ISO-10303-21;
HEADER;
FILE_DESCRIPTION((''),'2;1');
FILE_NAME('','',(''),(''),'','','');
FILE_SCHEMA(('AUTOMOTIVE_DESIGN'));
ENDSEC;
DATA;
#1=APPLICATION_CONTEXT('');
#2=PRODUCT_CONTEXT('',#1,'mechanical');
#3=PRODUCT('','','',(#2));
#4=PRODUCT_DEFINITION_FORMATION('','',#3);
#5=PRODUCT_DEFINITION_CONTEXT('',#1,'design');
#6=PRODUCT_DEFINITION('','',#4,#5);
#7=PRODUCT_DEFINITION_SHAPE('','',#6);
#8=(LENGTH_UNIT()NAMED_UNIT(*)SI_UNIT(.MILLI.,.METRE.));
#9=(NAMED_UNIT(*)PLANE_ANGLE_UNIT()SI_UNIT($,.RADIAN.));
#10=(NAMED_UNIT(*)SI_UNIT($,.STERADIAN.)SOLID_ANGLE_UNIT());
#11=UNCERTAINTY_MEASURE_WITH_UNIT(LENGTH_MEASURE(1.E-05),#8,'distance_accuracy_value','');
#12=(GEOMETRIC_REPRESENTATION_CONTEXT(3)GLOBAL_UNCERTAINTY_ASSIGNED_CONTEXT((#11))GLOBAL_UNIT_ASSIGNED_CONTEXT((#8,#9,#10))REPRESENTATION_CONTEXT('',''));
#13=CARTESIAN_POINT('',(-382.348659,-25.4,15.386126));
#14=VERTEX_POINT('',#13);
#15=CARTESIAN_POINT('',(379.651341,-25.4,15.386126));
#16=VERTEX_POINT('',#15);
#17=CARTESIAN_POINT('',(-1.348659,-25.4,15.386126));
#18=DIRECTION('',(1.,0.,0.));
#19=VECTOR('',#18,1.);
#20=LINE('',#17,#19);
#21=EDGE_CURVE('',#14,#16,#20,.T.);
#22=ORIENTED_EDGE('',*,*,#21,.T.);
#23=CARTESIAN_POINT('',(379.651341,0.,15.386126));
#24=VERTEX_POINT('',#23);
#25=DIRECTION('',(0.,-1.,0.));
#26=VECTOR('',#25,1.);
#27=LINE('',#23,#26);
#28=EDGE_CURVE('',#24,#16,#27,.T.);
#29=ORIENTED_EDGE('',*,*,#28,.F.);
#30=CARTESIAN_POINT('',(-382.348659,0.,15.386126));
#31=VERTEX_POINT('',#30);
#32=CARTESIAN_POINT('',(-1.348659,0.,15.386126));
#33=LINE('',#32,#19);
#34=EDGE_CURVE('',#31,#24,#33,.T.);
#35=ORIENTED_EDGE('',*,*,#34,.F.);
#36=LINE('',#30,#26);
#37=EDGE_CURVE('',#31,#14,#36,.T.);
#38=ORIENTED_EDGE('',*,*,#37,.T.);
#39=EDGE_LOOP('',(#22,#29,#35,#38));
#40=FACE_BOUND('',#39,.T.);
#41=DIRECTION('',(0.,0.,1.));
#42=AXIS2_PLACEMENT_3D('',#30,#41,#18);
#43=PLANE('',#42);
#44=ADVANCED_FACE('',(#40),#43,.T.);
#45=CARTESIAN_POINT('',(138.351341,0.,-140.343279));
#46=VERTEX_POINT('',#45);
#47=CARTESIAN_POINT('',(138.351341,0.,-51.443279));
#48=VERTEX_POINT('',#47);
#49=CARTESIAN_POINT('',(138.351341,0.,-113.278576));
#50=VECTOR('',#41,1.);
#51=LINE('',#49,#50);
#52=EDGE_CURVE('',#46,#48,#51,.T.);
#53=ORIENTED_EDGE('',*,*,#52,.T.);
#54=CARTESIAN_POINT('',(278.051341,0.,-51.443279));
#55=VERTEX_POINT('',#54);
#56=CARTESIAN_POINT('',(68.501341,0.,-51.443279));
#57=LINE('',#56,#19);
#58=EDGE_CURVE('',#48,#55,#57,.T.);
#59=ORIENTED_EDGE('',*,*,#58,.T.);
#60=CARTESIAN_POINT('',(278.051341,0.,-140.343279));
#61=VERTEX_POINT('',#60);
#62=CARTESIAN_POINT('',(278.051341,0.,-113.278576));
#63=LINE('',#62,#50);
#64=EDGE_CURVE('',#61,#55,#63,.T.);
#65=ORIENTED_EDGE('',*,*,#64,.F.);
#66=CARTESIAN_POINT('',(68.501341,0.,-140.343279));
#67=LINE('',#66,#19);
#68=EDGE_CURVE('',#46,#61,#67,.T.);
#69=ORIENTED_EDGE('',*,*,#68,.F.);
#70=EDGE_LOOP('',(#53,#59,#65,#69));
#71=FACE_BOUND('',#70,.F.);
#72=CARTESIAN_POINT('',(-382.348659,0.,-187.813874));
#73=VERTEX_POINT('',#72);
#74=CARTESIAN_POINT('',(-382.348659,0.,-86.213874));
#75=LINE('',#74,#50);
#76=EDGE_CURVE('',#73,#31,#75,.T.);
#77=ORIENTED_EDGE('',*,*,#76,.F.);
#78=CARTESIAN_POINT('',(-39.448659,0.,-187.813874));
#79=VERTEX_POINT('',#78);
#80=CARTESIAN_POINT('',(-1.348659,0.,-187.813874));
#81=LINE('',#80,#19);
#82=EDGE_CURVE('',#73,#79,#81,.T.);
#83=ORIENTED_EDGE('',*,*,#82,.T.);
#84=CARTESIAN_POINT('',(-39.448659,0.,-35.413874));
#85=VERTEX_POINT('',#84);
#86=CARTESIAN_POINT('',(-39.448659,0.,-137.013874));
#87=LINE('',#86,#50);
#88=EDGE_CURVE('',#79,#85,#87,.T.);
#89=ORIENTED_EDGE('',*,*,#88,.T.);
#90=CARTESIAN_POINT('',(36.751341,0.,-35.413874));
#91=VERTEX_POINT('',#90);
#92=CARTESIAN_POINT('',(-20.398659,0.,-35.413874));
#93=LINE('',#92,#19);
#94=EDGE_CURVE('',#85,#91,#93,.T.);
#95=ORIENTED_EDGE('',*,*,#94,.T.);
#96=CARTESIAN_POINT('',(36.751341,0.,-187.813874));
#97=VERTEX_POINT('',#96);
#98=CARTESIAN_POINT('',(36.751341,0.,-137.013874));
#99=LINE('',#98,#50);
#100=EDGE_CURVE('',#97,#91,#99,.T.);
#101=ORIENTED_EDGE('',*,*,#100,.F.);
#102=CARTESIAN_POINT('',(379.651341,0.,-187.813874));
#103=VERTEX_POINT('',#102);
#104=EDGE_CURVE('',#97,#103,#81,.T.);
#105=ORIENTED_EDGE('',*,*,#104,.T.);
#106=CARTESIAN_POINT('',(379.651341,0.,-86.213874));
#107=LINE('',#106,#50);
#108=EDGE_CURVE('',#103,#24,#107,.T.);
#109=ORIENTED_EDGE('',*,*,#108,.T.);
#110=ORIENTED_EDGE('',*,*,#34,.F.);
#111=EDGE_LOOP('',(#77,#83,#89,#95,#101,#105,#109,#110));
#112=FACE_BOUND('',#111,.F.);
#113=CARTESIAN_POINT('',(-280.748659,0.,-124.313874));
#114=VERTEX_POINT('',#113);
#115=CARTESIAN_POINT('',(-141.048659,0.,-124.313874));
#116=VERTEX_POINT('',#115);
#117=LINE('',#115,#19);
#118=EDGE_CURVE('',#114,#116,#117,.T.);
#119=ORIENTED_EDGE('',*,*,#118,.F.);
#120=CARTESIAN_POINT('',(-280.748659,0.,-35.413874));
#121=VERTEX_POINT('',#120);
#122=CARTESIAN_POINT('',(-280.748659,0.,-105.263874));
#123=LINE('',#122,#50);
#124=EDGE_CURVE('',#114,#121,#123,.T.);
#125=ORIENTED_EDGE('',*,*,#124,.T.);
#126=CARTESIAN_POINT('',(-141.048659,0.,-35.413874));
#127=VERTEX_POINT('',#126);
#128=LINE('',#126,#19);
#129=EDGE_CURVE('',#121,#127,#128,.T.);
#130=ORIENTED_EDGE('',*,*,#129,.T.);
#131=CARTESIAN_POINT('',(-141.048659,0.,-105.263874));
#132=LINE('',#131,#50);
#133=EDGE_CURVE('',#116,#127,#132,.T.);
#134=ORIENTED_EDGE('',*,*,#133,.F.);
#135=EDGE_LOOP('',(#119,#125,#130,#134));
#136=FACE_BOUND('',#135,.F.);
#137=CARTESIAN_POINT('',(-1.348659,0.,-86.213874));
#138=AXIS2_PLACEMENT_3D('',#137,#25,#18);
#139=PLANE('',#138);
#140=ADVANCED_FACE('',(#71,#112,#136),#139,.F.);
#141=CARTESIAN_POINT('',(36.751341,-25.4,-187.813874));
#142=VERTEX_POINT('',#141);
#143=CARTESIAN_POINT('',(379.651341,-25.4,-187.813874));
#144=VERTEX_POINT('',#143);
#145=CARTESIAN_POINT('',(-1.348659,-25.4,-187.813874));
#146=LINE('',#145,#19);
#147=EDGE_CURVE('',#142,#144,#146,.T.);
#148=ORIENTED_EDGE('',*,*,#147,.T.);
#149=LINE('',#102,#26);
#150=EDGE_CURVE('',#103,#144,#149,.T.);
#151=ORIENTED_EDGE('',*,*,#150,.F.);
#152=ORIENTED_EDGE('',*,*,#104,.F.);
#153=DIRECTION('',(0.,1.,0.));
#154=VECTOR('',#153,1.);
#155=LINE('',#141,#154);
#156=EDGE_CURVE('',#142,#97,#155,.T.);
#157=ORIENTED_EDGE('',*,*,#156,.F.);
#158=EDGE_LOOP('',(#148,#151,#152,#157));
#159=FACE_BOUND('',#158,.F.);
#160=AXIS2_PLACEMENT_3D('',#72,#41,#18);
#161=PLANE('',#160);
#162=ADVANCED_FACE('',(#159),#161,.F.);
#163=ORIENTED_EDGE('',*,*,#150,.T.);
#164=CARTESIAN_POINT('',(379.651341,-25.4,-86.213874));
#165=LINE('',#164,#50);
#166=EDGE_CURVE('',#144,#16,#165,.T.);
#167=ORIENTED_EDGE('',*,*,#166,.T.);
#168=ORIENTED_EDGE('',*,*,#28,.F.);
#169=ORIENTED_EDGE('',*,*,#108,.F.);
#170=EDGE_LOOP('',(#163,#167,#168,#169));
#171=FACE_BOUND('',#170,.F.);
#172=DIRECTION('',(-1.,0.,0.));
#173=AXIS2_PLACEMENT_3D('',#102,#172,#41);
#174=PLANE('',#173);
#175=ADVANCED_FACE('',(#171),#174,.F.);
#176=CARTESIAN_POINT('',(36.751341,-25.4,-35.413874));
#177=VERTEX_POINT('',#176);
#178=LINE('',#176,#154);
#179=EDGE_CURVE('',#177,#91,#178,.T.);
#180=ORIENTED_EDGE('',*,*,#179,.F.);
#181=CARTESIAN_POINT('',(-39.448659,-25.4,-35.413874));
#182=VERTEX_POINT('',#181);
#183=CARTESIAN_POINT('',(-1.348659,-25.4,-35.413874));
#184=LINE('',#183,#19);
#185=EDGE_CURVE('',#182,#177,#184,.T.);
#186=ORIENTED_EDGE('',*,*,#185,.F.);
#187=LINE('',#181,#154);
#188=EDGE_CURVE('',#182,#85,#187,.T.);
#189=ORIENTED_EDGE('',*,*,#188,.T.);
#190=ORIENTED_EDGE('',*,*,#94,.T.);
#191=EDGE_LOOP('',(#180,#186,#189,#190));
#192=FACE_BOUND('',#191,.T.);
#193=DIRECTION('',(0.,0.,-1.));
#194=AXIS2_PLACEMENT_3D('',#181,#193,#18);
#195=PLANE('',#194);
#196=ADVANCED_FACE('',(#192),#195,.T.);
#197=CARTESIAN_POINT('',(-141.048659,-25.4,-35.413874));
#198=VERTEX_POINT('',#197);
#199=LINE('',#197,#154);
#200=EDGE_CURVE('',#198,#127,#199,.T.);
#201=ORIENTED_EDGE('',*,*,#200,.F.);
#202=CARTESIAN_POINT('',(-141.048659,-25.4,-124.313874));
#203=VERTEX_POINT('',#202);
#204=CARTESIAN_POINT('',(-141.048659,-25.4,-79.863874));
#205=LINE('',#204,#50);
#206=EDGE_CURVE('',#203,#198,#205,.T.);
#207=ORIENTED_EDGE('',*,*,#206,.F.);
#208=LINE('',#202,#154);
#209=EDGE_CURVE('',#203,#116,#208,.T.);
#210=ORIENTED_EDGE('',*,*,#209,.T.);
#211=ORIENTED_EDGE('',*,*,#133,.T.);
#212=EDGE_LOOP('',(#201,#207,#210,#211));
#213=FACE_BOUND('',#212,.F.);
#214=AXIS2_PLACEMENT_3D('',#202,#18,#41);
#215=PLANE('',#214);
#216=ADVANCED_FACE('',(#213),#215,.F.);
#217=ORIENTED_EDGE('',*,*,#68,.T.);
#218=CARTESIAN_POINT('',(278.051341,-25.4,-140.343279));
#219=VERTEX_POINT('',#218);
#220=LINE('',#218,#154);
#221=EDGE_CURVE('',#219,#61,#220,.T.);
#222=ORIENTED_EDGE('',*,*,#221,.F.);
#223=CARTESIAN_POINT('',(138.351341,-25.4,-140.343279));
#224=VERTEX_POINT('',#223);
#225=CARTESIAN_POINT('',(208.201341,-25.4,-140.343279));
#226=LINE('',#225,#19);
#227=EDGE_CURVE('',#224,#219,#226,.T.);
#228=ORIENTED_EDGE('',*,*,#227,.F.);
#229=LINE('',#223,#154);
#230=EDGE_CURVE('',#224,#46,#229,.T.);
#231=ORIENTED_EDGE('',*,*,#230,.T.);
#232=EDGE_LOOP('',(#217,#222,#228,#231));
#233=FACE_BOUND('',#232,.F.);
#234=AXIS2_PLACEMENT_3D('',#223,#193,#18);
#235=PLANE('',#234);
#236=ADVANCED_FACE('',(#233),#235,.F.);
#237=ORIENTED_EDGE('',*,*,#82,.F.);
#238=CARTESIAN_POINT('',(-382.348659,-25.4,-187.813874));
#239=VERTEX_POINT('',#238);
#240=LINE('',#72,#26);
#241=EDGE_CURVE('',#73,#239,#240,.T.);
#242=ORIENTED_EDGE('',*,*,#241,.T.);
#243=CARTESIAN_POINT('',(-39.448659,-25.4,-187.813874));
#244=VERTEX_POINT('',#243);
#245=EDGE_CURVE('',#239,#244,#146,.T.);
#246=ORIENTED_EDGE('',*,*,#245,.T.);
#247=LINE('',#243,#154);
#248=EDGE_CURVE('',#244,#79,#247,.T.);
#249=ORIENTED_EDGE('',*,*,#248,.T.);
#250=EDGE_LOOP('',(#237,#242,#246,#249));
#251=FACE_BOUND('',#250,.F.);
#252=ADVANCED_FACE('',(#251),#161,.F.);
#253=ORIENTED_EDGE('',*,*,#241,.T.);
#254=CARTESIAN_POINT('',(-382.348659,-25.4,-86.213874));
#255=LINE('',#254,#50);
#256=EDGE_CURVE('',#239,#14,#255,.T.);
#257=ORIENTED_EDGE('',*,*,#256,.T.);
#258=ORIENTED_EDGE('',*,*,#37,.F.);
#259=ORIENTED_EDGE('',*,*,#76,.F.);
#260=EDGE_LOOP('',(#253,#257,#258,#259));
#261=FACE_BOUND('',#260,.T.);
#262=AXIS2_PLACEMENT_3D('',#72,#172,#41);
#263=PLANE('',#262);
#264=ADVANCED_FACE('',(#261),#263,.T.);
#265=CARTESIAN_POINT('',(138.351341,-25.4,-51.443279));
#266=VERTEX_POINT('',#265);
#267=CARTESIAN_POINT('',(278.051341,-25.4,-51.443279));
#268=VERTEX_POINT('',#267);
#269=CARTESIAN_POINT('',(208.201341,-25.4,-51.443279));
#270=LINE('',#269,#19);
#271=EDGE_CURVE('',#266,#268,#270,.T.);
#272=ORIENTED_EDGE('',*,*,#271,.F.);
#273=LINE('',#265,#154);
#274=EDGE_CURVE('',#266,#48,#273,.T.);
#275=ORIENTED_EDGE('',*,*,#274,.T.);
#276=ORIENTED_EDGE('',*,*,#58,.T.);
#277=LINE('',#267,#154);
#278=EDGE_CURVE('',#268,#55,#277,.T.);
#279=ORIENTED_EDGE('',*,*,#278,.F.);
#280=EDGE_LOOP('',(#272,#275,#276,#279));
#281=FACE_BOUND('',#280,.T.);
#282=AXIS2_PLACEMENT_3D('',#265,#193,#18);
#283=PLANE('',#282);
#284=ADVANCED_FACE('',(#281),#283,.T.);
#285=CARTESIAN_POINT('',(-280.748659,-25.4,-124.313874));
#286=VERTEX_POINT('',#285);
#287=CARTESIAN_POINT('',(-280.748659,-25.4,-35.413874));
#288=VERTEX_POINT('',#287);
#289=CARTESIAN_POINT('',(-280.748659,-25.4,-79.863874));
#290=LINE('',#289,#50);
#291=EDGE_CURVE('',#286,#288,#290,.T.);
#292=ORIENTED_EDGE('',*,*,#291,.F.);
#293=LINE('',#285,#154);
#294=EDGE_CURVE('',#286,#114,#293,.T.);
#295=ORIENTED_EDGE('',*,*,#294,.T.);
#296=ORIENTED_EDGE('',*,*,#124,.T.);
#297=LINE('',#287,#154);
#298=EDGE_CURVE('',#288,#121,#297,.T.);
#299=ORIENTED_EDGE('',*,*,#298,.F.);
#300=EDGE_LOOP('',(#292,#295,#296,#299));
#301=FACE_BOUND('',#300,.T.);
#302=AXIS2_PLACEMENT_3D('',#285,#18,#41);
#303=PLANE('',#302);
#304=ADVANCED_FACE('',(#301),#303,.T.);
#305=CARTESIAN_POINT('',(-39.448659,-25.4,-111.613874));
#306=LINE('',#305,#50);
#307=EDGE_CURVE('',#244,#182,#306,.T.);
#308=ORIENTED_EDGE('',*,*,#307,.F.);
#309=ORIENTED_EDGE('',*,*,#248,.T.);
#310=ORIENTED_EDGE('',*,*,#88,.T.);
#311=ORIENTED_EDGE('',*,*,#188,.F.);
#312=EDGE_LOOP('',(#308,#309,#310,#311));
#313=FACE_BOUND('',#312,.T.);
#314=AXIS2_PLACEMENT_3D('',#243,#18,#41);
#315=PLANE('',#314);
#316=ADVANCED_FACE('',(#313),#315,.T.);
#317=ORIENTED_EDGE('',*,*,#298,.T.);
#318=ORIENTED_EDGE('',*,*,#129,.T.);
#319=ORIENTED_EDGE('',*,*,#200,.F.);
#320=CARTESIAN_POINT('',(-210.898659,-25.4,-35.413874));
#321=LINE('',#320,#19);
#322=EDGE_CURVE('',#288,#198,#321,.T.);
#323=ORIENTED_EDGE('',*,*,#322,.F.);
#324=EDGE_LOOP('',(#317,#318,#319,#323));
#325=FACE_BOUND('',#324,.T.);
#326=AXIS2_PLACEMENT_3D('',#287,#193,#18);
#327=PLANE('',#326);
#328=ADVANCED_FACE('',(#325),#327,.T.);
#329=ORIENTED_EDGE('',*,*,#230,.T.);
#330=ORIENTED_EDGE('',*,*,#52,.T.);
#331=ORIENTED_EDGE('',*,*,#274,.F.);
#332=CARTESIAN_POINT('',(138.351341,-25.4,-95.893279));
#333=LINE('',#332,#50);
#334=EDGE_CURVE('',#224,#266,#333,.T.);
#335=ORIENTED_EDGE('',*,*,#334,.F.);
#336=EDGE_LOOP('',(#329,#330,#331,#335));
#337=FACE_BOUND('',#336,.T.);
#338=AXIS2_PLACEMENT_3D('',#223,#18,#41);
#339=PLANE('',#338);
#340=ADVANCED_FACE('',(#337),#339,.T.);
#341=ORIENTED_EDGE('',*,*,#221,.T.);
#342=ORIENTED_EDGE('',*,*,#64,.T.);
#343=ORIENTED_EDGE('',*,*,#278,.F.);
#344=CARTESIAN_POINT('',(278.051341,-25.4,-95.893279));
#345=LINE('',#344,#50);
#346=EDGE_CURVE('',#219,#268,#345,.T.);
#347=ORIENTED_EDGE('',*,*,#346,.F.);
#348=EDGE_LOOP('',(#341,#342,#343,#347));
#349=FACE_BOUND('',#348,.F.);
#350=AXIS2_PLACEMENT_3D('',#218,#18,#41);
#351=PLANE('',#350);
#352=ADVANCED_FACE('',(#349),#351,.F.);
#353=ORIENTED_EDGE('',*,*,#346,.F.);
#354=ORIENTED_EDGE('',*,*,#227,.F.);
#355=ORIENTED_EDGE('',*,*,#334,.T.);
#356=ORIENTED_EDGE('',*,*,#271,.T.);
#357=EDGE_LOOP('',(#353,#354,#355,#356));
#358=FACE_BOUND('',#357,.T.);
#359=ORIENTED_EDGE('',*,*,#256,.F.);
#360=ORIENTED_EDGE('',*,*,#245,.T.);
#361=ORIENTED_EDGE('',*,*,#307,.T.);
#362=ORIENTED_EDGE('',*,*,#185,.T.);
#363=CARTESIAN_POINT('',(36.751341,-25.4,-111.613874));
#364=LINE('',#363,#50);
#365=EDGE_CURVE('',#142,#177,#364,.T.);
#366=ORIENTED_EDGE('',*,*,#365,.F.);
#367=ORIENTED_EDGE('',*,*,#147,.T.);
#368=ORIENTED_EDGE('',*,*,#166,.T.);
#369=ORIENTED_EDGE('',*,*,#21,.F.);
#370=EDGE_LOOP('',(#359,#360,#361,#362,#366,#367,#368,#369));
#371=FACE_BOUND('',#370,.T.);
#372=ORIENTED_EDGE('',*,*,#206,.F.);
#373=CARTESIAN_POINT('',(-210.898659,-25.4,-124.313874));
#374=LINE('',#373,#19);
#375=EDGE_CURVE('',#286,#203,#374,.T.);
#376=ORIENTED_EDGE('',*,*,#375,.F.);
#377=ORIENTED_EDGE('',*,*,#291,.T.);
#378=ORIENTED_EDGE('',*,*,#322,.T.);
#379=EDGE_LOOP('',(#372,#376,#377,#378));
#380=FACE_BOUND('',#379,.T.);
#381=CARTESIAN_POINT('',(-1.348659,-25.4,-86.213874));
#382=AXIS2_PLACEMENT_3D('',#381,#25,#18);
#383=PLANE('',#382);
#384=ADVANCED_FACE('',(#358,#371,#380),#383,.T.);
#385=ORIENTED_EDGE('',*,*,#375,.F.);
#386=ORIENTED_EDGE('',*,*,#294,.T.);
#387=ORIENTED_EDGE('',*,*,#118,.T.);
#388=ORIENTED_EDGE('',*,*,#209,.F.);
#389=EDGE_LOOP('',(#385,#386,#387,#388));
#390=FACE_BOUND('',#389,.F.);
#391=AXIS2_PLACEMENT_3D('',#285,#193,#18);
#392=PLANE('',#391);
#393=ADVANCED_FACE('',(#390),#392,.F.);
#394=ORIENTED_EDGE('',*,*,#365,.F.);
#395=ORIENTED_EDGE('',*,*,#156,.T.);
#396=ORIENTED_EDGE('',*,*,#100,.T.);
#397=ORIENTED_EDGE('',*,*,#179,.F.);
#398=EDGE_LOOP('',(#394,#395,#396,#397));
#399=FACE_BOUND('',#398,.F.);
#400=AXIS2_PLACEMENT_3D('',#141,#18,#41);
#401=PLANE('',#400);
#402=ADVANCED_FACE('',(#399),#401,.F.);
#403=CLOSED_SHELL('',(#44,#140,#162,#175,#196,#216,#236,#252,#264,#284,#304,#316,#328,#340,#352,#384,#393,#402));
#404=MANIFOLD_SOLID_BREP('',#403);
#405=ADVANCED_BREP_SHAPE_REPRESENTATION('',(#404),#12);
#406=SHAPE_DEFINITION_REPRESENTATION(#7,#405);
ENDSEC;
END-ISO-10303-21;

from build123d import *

# Parameters (mm, degrees)
F0_W     = 762
F0_H     = 203.2
F1_DEPTH = 25.4
F2_W     = 139.7
F2_H     = 88.9
F3_DEPTH = 50.8
F2_W_2   = 76.2
F2_H_2   = 152.4
F4_DEPTH = 50.8
F5_DEPTH = 50.8


with BuildPart() as f1:
    # F0 (on Front) → F1 (new body)
    with BuildSketch(Plane.XZ):
        with Locations((-1.348659, -86.213874)):
            Rectangle(F0_W, F0_H)
    extrude(amount=F1_DEPTH)

    # F2 (on face) → F3 (cut)
    with BuildSketch(Plane.XZ.offset(25.4)):
        with Locations((-210.898659, -79.863874)):
            Rectangle(F2_W, F2_H)
    extrude(amount=-F3_DEPTH, mode=Mode.SUBTRACT)

    # F2 (on face) → F4 (cut)
    with BuildSketch(Plane.XZ.offset(25.4)):
        with Locations((-1.348659, -111.613874)):
            Rectangle(F2_W_2, F2_H_2)
    extrude(amount=-F4_DEPTH, mode=Mode.SUBTRACT)

    # F2 (on face) → F5 (cut)
    with BuildSketch(Plane.XZ.offset(25.4)):
        with Locations((208.201341, -95.893279)):
            Rectangle(F2_W, F2_H)
    extrude(amount=-F5_DEPTH, mode=Mode.SUBTRACT)


solid = f1.part
